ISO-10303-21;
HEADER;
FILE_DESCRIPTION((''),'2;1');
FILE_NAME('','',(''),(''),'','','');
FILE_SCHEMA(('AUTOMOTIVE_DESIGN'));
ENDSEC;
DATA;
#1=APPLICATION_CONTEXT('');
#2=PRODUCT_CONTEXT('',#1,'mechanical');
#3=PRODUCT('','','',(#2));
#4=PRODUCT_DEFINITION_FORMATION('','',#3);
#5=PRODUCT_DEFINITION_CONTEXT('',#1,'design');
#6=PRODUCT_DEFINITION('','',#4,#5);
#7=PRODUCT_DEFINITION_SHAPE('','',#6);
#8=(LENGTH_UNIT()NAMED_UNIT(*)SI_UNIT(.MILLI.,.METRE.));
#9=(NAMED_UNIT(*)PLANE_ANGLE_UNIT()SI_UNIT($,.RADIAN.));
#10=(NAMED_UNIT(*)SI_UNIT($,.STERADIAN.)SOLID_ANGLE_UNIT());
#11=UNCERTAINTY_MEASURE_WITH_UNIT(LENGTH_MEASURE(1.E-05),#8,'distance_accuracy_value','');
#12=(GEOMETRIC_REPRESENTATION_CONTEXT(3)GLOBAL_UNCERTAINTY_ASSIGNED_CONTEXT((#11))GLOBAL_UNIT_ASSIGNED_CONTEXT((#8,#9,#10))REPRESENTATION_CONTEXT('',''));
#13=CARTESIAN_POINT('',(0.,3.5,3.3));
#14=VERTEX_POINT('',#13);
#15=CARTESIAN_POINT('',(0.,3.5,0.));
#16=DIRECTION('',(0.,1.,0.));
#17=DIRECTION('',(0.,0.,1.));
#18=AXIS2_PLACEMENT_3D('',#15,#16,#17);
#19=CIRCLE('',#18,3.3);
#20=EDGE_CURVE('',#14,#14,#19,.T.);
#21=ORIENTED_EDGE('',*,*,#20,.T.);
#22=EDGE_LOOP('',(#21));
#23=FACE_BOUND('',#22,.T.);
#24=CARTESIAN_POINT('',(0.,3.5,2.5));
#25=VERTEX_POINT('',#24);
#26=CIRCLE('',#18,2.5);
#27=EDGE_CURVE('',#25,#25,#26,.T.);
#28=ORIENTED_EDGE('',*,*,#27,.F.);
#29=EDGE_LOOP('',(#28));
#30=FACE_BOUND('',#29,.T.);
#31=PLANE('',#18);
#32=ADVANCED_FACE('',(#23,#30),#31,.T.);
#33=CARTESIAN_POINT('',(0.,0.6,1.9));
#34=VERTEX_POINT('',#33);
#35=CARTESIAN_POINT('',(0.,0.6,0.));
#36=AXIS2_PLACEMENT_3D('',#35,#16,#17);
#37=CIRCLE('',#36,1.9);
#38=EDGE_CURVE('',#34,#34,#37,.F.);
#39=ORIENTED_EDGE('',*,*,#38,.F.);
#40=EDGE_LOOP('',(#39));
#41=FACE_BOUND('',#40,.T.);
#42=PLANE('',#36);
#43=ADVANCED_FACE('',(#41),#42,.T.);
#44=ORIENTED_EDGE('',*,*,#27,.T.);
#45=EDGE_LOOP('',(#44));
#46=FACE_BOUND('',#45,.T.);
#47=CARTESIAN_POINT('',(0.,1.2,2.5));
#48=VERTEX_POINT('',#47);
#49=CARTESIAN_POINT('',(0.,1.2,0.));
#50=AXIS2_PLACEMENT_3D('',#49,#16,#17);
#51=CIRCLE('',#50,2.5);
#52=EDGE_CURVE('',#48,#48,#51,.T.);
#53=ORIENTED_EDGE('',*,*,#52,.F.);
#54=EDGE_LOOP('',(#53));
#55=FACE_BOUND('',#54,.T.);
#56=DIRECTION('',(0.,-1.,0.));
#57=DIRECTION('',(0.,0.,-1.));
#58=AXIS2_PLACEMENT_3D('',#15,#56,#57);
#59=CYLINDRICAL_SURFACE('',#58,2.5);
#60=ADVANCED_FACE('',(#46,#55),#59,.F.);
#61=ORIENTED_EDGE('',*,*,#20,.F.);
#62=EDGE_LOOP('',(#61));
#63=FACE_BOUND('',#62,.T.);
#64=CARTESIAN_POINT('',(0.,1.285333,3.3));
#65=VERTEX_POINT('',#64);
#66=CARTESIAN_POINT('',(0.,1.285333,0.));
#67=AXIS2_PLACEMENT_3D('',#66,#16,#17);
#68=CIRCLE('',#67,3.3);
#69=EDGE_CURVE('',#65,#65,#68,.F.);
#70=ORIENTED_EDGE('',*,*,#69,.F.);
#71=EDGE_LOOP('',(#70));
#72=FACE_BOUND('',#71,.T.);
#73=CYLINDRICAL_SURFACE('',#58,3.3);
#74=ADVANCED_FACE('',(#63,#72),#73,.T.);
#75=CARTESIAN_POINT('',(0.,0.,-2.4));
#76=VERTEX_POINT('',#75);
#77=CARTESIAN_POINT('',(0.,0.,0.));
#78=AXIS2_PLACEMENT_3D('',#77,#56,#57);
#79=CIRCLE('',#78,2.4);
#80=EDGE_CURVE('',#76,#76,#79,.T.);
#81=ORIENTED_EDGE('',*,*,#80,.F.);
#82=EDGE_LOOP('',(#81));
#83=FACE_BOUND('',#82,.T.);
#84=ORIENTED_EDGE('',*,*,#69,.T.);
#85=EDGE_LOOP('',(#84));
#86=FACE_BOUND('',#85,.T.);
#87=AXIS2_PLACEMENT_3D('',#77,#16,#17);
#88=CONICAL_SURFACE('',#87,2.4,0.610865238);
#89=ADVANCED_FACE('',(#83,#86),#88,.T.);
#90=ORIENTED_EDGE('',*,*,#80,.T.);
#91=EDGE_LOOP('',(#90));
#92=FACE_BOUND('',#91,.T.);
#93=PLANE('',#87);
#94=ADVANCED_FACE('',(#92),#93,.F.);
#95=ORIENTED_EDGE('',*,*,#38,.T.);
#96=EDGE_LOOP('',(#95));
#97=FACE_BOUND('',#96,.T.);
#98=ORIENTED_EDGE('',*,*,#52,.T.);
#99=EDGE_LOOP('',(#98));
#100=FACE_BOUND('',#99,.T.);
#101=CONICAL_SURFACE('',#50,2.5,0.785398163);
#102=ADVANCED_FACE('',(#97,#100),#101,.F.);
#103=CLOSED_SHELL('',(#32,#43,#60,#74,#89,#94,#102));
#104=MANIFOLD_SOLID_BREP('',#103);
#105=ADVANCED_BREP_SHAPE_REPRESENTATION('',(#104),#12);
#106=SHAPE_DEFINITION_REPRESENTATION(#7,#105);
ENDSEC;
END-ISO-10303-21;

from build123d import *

# Parameters (mm, degrees)
SKETCH1_R           = 3.3
SKETCH1_R_2         = 2.5
BOSS_EXTRUDE1_DEPTH = 3.5
SKETCH1_2_R         = 2.5
BOSS_EXTRUDE2_DEPTH = 0.6


with BuildPart() as part:
    # Sketch1 → Boss-Extrude1 (new body)
    with BuildSketch(Plane(origin=(0, 0, 0), x_dir=(1, 0, 0), z_dir=(0, 1, 0))):
        Circle(SKETCH1_R)
        Circle(SKETCH1_R_2, mode=Mode.SUBTRACT)
    extrude(amount=BOSS_EXTRUDE1_DEPTH)

    # Sketch1<2> → Boss-Extrude2 (add)
    with BuildSketch(Plane(origin=(0, 0, 0), x_dir=(1, 0, 0), z_dir=(0, 1, 0))):
        Circle(SKETCH1_2_R)
    extrude(amount=BOSS_EXTRUDE2_DEPTH)

    # Sketch2 → Revolve1 (revolve)
    with BuildSketch(Plane.XY):
        Polygon((1.9, 0.6), (2.5, 0.6), (2.5, 1.2), align=None)
    revolve(axis=Axis((0, 0, 0), (0, 1, 0)))

    # Sketch3 → Cut-Revolve2 (revolve, cut)
    with BuildSketch(Plane.XY):
        Polygon((3.743125207, 0), (3.743125207, 1.918181588), (2.4, 0), align=None)
    revolve(axis=Axis((0, 0, 0), (0, 1, 0)), mode=Mode.SUBTRACT)


solid = part.part
